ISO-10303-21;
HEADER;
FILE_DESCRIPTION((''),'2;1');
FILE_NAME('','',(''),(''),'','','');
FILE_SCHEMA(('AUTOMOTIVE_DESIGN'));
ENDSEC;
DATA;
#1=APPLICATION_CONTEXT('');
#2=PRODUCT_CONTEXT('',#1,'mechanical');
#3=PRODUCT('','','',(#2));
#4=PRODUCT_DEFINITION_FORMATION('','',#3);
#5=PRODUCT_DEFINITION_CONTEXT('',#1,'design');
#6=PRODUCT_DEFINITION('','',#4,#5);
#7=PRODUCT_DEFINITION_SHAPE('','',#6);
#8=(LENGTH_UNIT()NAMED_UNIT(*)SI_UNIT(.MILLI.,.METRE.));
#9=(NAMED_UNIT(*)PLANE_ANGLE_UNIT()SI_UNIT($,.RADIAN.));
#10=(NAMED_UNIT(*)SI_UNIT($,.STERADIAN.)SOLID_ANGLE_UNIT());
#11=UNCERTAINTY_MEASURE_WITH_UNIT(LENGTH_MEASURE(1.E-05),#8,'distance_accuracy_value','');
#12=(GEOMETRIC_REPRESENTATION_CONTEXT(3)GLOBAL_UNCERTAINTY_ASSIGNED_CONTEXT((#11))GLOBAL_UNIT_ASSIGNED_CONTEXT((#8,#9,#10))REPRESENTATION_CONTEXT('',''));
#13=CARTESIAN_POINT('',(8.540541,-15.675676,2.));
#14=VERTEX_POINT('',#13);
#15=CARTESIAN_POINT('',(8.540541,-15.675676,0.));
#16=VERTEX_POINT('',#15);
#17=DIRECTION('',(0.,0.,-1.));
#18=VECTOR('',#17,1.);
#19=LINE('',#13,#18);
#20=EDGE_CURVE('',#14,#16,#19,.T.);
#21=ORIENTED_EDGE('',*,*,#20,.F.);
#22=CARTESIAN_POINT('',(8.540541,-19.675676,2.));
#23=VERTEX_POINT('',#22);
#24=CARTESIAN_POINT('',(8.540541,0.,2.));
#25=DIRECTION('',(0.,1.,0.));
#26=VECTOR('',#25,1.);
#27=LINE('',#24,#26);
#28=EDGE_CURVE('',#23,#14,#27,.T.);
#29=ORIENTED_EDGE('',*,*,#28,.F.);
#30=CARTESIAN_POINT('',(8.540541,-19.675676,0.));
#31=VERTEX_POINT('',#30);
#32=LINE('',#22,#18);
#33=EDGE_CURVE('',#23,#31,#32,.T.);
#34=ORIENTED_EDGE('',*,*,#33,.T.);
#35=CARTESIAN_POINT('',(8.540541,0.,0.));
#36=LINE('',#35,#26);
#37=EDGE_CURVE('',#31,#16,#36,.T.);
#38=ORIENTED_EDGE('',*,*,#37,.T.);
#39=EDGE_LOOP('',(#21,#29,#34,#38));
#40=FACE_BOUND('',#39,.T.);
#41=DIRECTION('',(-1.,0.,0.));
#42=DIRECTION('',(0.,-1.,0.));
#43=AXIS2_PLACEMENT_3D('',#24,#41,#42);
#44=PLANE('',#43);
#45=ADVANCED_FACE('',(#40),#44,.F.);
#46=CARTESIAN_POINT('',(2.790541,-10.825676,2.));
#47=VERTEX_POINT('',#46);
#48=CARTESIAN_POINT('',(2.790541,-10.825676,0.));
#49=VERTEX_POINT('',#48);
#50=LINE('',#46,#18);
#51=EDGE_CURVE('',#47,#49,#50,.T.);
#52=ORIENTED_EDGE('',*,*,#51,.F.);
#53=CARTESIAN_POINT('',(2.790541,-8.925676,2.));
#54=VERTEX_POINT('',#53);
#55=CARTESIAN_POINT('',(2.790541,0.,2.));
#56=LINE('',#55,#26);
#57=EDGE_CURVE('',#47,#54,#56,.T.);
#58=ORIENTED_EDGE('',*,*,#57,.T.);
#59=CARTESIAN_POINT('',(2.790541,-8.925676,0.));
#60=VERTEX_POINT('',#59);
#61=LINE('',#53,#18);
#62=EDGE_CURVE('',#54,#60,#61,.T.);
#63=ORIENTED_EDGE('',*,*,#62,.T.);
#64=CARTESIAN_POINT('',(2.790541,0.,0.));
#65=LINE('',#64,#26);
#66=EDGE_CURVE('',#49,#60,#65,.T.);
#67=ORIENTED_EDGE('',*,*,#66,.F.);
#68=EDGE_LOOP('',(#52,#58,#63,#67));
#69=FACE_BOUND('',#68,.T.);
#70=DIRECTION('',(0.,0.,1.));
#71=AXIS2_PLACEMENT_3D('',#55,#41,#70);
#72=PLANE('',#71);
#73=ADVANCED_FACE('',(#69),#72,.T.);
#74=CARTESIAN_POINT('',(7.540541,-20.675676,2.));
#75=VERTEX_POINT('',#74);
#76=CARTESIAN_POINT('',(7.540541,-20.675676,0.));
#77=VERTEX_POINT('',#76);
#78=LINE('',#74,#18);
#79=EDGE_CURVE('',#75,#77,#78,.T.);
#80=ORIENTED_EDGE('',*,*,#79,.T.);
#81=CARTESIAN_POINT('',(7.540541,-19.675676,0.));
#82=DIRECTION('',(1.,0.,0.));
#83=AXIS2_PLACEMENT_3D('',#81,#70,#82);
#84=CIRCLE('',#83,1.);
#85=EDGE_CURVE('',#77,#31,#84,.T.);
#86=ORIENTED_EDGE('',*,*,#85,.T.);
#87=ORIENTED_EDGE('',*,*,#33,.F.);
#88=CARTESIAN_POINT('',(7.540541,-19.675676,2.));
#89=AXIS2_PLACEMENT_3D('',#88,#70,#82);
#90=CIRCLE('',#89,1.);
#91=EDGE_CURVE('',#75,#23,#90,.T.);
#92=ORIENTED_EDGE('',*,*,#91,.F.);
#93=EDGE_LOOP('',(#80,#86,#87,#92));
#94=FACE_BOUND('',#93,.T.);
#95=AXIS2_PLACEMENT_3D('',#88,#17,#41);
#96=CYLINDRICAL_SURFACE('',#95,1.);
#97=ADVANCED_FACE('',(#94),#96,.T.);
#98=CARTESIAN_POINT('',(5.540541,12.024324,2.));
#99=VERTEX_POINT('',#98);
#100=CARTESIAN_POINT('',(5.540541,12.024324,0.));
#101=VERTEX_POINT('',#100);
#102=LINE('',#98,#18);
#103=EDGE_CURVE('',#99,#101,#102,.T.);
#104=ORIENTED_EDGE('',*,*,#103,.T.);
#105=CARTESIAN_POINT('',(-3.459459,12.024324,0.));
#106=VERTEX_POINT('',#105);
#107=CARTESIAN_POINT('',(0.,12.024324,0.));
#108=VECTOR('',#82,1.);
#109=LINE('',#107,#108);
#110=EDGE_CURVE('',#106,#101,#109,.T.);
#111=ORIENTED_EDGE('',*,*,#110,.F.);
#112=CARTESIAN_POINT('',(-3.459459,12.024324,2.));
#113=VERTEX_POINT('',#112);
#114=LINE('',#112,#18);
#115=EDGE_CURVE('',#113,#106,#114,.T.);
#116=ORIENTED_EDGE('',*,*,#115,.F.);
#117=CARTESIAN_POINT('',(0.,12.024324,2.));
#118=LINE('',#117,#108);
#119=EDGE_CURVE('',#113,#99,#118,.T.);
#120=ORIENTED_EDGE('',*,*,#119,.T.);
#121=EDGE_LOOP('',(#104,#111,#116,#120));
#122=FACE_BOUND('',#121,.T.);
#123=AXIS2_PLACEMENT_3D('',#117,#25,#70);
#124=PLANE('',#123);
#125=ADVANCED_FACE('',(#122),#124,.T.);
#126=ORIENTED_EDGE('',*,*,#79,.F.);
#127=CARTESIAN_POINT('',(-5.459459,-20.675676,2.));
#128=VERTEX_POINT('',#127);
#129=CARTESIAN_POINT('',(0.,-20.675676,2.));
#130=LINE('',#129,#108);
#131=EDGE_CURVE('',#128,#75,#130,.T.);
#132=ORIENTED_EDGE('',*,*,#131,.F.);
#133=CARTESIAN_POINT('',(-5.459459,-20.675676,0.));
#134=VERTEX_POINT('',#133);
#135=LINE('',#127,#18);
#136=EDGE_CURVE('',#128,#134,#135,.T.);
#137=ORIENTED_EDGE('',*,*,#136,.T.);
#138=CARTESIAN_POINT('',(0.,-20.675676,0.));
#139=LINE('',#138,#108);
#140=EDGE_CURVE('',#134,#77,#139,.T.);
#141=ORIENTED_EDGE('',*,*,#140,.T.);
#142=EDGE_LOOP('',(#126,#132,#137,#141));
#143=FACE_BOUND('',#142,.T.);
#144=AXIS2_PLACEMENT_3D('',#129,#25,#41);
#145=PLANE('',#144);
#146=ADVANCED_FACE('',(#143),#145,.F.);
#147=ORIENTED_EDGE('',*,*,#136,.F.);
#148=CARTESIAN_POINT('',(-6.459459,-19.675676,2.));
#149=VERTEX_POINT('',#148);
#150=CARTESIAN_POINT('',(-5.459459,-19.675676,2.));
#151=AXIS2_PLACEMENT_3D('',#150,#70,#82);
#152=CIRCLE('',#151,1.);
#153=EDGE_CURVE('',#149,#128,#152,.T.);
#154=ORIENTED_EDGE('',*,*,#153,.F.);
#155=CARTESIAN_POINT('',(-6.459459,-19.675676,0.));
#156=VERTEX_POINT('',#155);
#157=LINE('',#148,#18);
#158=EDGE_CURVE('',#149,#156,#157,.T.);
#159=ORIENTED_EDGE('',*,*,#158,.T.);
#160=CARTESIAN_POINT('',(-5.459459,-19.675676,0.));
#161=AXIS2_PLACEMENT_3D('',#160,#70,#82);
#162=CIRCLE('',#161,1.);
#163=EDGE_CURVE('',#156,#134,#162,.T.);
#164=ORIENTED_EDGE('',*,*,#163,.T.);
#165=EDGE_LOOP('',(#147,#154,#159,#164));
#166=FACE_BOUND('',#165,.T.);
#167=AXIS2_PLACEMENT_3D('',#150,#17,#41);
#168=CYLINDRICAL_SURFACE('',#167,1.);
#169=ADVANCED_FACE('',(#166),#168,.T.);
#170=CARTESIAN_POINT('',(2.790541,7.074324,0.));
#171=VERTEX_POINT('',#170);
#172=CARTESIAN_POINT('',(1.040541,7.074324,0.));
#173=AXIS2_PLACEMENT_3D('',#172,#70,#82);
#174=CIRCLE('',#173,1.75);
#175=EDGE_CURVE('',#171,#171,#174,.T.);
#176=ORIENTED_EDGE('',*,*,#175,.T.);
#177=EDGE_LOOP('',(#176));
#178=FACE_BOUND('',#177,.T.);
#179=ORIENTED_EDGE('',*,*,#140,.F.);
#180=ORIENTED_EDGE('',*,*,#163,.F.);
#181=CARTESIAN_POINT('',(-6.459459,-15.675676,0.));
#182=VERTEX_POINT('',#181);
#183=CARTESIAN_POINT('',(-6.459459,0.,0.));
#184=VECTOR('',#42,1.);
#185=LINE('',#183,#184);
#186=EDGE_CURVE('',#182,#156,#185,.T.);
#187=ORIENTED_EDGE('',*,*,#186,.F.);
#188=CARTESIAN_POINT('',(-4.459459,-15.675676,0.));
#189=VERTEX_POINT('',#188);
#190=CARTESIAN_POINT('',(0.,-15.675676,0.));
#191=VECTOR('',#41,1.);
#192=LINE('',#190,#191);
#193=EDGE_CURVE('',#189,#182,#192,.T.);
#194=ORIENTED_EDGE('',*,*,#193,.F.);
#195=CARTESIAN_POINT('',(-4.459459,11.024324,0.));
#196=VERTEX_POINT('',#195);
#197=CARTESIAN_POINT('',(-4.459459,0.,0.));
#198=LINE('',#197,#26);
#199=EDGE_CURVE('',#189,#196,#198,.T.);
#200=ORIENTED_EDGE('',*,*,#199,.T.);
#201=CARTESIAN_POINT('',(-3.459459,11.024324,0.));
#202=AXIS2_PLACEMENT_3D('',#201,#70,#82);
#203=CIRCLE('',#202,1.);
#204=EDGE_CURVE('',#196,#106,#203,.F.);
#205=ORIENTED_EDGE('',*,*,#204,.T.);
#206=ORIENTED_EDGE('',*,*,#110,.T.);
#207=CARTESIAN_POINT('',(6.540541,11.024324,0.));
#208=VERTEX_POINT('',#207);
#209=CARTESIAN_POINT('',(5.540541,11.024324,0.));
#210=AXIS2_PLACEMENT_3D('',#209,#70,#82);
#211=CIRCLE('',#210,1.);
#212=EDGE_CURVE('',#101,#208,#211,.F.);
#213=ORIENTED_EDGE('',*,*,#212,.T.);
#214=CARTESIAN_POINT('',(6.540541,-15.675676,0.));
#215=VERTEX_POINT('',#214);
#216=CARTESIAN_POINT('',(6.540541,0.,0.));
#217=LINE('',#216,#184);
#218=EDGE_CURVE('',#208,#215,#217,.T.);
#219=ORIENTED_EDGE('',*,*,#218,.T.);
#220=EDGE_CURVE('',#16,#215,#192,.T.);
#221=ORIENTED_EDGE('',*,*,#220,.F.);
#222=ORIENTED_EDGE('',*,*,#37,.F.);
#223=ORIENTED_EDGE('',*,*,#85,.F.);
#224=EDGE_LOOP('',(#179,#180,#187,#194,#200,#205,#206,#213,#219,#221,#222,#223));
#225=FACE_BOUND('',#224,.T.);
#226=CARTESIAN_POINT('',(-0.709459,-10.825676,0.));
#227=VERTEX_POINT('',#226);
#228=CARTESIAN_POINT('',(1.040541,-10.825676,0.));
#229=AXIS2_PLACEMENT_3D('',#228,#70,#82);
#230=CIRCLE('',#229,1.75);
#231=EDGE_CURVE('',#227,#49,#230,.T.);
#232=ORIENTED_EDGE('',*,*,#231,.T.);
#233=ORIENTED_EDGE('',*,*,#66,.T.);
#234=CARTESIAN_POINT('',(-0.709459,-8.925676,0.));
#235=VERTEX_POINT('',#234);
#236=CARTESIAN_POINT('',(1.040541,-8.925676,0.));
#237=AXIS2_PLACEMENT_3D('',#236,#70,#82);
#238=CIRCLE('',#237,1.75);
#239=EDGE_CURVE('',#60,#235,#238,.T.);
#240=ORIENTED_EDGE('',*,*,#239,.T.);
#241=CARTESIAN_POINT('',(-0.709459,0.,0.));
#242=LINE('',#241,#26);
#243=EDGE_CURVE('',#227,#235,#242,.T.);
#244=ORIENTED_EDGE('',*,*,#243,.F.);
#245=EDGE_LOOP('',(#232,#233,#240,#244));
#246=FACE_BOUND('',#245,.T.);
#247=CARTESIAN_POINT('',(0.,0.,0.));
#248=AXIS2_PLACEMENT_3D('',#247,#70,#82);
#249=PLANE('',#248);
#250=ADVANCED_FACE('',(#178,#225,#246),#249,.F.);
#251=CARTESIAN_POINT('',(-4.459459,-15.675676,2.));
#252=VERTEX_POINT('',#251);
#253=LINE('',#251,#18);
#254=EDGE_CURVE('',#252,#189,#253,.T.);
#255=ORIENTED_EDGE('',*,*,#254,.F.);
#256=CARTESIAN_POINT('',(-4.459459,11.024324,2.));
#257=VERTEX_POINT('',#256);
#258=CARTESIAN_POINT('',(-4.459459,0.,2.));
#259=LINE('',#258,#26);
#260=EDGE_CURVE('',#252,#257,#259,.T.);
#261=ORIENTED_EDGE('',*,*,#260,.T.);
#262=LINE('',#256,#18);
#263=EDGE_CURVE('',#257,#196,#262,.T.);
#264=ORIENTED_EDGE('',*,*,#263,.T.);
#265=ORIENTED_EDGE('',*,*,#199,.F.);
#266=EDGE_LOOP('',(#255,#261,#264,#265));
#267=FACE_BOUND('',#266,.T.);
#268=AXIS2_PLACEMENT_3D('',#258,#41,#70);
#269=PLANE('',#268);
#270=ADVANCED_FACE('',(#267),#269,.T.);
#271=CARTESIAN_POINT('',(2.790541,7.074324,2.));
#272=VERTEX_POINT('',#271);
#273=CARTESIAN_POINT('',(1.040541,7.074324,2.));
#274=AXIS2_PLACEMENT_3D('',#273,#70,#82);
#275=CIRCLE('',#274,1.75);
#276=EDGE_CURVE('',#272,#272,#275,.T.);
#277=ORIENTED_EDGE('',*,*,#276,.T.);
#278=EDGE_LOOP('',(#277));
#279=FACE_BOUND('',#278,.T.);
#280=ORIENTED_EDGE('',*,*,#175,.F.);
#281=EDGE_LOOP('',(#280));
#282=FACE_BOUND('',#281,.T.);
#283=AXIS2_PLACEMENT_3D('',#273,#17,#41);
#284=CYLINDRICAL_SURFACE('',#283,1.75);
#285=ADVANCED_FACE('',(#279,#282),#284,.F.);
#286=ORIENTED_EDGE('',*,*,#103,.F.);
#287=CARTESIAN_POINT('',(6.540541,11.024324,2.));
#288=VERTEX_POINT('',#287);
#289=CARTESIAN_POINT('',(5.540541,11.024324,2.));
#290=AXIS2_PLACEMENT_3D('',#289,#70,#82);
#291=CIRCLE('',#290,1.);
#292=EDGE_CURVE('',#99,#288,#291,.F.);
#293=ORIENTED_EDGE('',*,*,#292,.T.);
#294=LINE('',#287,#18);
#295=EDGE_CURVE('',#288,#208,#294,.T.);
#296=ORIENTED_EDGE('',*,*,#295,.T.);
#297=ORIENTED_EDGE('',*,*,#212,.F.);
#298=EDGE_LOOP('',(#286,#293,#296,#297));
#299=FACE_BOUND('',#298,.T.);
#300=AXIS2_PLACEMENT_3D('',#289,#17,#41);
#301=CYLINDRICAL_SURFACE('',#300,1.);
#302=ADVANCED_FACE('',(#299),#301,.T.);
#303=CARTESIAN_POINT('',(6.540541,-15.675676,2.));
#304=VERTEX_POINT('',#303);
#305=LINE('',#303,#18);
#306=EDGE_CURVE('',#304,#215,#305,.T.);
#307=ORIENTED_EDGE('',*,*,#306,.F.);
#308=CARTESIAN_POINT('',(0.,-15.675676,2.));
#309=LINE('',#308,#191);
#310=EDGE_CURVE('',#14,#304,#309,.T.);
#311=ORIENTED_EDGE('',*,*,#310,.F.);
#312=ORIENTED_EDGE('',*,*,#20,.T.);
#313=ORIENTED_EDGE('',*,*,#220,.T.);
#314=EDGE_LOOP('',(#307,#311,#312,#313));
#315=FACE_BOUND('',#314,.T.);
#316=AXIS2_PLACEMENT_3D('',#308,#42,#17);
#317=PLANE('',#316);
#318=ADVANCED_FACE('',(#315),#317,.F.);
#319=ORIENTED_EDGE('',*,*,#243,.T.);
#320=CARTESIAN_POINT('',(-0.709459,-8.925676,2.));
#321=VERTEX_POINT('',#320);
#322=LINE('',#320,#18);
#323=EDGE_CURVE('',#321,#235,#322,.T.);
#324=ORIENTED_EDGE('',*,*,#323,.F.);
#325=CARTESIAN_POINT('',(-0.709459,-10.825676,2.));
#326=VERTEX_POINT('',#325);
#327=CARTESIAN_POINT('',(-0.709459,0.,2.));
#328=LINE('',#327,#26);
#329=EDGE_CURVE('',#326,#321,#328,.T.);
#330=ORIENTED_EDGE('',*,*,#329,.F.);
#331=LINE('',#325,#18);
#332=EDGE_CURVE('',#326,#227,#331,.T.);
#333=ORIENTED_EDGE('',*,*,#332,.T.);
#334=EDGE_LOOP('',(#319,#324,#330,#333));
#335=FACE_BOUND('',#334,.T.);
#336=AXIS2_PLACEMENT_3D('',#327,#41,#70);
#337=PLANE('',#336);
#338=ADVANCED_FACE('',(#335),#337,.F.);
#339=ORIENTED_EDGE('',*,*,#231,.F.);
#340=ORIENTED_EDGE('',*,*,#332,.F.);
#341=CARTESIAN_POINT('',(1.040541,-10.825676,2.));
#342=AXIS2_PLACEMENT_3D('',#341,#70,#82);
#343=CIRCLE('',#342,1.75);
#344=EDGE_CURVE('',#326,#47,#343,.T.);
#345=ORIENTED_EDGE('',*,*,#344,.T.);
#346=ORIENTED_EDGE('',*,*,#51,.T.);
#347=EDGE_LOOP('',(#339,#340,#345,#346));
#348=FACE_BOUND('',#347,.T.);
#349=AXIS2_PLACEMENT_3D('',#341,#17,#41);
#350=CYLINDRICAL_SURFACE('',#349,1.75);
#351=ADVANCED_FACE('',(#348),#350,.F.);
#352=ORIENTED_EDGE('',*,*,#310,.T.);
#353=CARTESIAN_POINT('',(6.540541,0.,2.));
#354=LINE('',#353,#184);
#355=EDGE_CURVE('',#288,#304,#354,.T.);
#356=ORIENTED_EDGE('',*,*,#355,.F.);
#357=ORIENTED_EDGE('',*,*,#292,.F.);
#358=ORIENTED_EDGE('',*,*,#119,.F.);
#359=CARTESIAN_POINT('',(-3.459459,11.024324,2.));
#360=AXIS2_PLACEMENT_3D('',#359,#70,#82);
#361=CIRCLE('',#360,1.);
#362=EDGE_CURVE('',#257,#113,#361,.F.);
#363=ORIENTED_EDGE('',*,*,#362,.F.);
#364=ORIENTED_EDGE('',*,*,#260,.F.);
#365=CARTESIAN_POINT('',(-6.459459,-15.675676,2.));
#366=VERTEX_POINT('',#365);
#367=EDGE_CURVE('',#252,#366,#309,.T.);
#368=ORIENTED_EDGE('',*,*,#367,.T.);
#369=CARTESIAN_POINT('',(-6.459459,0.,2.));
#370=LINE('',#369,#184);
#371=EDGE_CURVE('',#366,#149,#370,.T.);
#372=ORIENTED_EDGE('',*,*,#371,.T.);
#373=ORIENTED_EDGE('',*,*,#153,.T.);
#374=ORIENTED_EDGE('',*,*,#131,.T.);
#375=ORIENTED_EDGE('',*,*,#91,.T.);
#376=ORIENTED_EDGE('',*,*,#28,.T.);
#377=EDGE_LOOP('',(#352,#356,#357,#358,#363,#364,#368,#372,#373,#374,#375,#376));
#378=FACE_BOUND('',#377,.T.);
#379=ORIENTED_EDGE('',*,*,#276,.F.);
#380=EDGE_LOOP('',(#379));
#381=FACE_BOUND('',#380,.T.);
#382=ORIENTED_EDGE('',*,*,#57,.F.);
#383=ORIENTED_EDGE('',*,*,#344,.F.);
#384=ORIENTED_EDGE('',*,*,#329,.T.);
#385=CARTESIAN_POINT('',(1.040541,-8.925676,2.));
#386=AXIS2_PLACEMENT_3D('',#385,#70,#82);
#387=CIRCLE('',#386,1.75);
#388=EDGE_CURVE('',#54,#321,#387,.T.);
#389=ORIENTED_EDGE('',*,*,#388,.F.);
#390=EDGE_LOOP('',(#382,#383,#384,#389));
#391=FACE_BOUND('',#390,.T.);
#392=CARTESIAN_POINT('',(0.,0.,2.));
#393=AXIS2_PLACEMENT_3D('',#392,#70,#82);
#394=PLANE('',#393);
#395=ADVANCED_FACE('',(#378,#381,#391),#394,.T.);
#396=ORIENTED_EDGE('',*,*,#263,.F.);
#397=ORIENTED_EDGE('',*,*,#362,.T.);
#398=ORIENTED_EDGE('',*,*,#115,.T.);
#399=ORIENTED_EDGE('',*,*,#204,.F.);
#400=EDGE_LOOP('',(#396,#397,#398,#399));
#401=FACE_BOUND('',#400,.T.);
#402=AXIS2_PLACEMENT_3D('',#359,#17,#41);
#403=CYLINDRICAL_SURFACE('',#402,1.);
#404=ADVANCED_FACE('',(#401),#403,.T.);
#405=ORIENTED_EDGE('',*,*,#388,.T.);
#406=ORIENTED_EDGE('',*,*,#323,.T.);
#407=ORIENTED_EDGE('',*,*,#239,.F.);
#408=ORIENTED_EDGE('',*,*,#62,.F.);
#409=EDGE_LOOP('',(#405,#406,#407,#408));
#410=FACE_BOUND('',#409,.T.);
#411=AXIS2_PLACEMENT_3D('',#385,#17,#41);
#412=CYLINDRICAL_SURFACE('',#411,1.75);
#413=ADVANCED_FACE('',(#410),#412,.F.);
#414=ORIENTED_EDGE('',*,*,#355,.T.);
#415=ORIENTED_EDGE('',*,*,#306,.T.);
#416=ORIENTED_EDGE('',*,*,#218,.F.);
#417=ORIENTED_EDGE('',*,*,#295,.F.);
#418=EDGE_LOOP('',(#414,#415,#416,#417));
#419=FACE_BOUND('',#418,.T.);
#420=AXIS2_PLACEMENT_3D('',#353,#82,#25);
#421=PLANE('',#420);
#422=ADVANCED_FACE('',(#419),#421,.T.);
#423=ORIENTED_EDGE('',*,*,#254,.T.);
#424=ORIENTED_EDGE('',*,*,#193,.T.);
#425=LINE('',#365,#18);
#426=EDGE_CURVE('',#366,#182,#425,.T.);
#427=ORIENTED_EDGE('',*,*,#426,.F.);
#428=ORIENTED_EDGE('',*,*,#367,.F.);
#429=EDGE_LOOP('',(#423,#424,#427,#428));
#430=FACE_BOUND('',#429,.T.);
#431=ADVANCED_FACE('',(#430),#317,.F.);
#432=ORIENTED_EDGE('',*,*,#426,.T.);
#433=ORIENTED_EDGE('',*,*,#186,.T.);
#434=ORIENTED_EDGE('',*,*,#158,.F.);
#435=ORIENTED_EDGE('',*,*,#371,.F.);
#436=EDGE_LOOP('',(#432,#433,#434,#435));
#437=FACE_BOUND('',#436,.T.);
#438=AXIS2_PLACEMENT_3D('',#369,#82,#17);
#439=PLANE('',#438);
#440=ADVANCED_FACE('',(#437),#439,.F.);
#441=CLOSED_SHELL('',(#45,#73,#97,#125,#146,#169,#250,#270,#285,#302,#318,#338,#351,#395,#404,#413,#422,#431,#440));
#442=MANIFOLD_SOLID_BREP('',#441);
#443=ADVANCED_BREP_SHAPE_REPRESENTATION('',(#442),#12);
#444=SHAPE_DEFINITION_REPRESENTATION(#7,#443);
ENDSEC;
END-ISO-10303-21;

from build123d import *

# Parameters (mm, degrees)
IZIM1_R                     = 1.75
Y_KSEKLIK_EKSTR_ZYON1_DEPTH = 2


with BuildPart() as part:
    # Çizim1 → Yükseklik-Ekstrüzyon1 (new body)
    with BuildSketch(Plane.XY):
        with BuildLine():
            Line((-4.459459459, -15.675675676), (-6.459459459, -15.675675676))
            Line((-6.459459459, -15.675675676), (-6.459459459, -19.675675676))
            ThreePointArc((-6.459459459, -19.675675676), (-6.166566241, -20.382782457), (-5.459459459, -20.675675676))
            Line((-5.459459459, -20.675675676), (7.540540541, -20.675675676))
            ThreePointArc((7.540540541, -20.675675676), (8.247647322, -20.382782457), (8.540540541, -19.675675676))
            Line((8.540540541, -19.675675676), (8.540540541, -15.675675676))
            Line((8.540540541, -15.675675676), (6.540540541, -15.675675676))
            Line((6.540540541, -15.675675676), (6.540540541, 11.024324324))
            ThreePointArc((6.540540541, 11.024324324), (6.247647322, 11.731431106), (5.540540541, 12.024324324))
            Line((5.540540541, 12.024324324), (-3.459459459, 12.024324324))
            ThreePointArc((-3.459459459, 12.024324324), (-4.166566241, 11.731431106), (-4.459459459, 11.024324324))
            Line((-4.459459459, 11.024324324), (-4.459459459, -15.675675676))
        make_face()
        with Locations((1.040540541, 7.074324324)):
            Circle(IZIM1_R, mode=Mode.SUBTRACT)
        with BuildLine():
            Line((-0.709459459, -10.825675676), (-0.709459459, -8.925675676))
            ThreePointArc((-0.709459459, -8.925675676), (1.040540541, -7.175675676), (2.790540541, -8.925675676))
            Line((2.790540541, -8.925675676), (2.790540541, -10.825675676))
            ThreePointArc((2.790540541, -10.825675676), (1.040540541, -12.575675676), (-0.709459459, -10.825675676))
        make_face(mode=Mode.SUBTRACT)
    extrude(amount=Y_KSEKLIK_EKSTR_ZYON1_DEPTH)


solid = part.part
